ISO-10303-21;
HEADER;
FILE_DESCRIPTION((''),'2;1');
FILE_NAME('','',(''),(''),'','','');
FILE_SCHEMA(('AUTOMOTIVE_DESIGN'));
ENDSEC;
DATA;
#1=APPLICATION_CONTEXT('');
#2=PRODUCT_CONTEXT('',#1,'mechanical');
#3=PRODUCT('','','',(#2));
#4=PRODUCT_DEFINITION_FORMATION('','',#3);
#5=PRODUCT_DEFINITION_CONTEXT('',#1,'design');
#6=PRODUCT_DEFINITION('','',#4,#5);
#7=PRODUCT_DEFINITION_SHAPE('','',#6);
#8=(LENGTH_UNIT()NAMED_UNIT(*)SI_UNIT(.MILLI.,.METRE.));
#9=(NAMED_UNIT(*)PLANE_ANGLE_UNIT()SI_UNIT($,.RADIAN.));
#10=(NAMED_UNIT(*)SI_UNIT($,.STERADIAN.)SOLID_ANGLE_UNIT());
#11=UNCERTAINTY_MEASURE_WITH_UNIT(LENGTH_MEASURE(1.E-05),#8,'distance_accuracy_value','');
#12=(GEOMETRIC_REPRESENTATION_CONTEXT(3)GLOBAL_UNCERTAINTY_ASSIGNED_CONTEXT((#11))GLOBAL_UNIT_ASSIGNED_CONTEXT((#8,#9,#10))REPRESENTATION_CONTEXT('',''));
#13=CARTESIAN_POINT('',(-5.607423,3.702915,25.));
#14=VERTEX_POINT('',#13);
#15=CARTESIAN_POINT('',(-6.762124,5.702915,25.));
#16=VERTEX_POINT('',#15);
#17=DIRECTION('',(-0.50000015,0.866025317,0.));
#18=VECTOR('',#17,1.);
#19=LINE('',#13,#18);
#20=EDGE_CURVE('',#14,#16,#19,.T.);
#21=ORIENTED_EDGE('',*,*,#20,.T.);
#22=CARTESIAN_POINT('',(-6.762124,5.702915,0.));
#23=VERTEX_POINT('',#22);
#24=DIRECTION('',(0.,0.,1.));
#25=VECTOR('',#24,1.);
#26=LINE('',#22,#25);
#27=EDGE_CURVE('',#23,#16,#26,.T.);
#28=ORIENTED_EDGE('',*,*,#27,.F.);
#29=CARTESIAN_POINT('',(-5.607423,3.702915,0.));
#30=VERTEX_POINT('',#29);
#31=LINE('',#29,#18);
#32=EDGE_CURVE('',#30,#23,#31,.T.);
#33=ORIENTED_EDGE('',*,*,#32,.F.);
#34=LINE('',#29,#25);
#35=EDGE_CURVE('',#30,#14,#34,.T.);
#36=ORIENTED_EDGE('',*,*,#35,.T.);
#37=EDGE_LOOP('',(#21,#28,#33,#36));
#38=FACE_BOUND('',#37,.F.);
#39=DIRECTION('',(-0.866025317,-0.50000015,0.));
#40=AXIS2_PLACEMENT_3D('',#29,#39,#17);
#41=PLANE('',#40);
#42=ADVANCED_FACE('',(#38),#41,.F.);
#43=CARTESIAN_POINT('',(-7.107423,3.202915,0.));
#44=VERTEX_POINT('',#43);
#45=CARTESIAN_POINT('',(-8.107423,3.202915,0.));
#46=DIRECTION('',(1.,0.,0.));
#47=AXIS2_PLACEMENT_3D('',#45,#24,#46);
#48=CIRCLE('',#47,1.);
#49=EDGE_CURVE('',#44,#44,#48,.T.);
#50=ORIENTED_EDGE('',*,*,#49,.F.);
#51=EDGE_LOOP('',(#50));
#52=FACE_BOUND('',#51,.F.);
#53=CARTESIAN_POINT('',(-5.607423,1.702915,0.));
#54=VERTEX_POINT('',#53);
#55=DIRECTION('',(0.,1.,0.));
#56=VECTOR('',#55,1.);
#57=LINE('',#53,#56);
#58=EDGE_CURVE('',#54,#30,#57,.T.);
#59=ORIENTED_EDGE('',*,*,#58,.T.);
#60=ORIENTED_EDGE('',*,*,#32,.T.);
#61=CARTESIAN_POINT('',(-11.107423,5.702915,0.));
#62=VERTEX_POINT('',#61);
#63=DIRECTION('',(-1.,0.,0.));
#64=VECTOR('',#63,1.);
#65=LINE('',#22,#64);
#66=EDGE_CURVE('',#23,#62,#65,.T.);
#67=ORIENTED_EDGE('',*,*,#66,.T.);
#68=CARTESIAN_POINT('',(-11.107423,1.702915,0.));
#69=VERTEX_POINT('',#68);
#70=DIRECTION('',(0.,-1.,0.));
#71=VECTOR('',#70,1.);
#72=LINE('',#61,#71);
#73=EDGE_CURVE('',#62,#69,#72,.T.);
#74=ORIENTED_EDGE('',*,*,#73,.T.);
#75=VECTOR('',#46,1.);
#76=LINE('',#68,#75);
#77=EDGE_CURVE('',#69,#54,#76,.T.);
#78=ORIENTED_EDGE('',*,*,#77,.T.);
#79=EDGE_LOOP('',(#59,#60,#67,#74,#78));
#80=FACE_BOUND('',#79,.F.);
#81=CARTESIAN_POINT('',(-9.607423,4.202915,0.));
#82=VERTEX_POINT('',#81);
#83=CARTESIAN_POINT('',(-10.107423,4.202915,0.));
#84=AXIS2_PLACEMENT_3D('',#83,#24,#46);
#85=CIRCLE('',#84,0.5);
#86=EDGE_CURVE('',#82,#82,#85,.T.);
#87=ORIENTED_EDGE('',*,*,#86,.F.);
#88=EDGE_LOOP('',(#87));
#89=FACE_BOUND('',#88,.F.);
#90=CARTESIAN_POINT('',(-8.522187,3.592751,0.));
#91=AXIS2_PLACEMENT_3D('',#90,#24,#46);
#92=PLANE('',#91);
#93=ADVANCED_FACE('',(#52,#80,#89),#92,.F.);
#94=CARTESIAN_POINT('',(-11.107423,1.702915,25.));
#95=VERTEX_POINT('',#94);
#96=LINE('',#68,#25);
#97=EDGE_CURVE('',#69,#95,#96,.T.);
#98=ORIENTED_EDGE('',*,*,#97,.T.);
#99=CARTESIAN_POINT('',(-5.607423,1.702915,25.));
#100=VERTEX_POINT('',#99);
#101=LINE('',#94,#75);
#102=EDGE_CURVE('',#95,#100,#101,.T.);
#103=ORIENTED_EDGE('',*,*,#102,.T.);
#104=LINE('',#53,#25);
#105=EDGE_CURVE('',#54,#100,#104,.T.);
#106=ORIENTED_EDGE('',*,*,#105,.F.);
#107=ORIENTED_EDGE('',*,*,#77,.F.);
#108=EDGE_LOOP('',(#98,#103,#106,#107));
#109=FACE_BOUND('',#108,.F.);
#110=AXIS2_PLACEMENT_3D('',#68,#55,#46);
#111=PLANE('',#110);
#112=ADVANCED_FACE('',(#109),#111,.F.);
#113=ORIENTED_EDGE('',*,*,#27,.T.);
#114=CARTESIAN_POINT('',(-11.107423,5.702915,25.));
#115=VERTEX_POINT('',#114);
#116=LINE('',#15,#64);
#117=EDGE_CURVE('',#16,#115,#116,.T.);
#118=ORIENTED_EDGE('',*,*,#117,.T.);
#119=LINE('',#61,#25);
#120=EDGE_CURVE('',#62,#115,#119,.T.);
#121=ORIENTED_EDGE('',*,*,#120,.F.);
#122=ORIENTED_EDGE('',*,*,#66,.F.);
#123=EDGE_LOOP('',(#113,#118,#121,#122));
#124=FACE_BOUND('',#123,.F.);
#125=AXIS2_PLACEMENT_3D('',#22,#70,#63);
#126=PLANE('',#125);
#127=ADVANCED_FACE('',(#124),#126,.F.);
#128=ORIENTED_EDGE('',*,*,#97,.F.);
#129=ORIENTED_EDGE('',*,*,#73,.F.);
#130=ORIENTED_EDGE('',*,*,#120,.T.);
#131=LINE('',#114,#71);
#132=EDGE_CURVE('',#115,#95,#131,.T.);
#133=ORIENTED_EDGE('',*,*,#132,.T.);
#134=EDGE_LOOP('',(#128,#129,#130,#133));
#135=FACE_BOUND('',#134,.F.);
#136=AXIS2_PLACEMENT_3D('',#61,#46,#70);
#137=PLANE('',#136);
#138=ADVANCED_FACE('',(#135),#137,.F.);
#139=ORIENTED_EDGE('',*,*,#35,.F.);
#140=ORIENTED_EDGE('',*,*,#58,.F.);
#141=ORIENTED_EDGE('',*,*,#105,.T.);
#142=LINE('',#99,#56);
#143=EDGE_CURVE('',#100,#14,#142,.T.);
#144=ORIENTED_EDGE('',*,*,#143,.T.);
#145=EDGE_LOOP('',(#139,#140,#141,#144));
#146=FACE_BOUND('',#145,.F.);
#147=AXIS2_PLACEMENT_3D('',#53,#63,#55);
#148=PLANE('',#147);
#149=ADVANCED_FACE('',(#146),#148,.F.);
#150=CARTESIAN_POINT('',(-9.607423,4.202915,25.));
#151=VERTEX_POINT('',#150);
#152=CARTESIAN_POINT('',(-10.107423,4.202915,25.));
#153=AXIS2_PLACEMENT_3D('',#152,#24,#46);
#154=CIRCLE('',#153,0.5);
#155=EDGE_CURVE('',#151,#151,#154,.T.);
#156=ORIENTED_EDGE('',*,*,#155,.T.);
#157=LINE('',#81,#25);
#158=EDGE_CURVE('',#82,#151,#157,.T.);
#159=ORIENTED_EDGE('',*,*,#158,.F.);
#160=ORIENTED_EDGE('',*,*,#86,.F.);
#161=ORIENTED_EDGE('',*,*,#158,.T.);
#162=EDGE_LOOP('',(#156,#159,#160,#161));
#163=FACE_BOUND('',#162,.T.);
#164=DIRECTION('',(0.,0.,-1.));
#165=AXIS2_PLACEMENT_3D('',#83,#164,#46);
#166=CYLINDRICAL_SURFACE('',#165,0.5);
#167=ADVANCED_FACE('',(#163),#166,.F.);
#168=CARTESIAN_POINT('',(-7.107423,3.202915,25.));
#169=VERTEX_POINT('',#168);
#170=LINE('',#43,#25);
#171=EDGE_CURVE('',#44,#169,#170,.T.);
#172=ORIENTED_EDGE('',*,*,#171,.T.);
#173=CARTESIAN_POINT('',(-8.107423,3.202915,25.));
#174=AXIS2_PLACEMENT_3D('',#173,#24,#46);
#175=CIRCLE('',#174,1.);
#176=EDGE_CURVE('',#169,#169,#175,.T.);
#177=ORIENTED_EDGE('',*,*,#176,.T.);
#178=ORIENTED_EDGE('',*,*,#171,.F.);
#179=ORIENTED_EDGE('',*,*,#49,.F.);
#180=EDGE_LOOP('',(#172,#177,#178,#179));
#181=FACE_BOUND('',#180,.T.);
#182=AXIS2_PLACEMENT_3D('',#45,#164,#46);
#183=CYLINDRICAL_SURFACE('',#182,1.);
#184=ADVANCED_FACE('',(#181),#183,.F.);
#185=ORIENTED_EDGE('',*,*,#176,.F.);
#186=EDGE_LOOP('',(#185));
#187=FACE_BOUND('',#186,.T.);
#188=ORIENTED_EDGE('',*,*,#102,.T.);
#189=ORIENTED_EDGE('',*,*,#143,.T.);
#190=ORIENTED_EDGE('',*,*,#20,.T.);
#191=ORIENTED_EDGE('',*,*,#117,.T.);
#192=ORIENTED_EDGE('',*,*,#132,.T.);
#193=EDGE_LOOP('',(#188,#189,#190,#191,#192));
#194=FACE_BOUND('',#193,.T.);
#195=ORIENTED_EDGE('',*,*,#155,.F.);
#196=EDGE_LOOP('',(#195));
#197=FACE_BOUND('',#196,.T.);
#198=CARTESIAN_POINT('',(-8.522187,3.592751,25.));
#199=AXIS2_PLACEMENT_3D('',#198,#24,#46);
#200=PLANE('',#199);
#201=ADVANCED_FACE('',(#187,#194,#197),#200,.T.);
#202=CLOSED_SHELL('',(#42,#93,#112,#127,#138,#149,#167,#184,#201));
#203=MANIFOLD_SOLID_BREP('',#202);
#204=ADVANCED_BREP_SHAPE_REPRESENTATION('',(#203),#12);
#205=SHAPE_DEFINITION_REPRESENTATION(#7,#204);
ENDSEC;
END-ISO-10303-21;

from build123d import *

# Parameters (mm, degrees)
F0_R     = 1
F0_R_2   = 0.5
F1_DEPTH = 25
F2_DEPTH = 25


with BuildPart() as f1:
    # F0 (on Top) → F1 (new body)
    with BuildSketch(Plane.XY):
        Polygon((-10.107423, 5.702915), (-11.107423, 5.702915), (-11.107423, 1.702915), (-5.607423, 1.702915), (-5.607423, 3.702915), (-6.762124, 5.702915), align=None)
        with Locations((-8.107423, 3.202915)):
            Circle(F0_R, mode=Mode.SUBTRACT)
        with Locations((-10.107423, 4.202915)):
            Circle(F0_R_2, mode=Mode.SUBTRACT)
    extrude(amount=F1_DEPTH)

    # F0 (on Top) → F2 (join)
    with BuildSketch(Plane.XY):
        Polygon((-10.107423, 5.702915), (-11.107423, 5.702915), (-11.107423, 1.702915), (-5.607423, 1.702915), (-5.607423, 3.702915), (-6.762124, 5.702915), align=None)
        with Locations((-8.107423, 3.202915)):
            Circle(F0_R, mode=Mode.SUBTRACT)
        with Locations((-10.107423, 4.202915)):
            Circle(F0_R_2, mode=Mode.SUBTRACT)
    extrude(amount=F2_DEPTH)


solid = f1.part
